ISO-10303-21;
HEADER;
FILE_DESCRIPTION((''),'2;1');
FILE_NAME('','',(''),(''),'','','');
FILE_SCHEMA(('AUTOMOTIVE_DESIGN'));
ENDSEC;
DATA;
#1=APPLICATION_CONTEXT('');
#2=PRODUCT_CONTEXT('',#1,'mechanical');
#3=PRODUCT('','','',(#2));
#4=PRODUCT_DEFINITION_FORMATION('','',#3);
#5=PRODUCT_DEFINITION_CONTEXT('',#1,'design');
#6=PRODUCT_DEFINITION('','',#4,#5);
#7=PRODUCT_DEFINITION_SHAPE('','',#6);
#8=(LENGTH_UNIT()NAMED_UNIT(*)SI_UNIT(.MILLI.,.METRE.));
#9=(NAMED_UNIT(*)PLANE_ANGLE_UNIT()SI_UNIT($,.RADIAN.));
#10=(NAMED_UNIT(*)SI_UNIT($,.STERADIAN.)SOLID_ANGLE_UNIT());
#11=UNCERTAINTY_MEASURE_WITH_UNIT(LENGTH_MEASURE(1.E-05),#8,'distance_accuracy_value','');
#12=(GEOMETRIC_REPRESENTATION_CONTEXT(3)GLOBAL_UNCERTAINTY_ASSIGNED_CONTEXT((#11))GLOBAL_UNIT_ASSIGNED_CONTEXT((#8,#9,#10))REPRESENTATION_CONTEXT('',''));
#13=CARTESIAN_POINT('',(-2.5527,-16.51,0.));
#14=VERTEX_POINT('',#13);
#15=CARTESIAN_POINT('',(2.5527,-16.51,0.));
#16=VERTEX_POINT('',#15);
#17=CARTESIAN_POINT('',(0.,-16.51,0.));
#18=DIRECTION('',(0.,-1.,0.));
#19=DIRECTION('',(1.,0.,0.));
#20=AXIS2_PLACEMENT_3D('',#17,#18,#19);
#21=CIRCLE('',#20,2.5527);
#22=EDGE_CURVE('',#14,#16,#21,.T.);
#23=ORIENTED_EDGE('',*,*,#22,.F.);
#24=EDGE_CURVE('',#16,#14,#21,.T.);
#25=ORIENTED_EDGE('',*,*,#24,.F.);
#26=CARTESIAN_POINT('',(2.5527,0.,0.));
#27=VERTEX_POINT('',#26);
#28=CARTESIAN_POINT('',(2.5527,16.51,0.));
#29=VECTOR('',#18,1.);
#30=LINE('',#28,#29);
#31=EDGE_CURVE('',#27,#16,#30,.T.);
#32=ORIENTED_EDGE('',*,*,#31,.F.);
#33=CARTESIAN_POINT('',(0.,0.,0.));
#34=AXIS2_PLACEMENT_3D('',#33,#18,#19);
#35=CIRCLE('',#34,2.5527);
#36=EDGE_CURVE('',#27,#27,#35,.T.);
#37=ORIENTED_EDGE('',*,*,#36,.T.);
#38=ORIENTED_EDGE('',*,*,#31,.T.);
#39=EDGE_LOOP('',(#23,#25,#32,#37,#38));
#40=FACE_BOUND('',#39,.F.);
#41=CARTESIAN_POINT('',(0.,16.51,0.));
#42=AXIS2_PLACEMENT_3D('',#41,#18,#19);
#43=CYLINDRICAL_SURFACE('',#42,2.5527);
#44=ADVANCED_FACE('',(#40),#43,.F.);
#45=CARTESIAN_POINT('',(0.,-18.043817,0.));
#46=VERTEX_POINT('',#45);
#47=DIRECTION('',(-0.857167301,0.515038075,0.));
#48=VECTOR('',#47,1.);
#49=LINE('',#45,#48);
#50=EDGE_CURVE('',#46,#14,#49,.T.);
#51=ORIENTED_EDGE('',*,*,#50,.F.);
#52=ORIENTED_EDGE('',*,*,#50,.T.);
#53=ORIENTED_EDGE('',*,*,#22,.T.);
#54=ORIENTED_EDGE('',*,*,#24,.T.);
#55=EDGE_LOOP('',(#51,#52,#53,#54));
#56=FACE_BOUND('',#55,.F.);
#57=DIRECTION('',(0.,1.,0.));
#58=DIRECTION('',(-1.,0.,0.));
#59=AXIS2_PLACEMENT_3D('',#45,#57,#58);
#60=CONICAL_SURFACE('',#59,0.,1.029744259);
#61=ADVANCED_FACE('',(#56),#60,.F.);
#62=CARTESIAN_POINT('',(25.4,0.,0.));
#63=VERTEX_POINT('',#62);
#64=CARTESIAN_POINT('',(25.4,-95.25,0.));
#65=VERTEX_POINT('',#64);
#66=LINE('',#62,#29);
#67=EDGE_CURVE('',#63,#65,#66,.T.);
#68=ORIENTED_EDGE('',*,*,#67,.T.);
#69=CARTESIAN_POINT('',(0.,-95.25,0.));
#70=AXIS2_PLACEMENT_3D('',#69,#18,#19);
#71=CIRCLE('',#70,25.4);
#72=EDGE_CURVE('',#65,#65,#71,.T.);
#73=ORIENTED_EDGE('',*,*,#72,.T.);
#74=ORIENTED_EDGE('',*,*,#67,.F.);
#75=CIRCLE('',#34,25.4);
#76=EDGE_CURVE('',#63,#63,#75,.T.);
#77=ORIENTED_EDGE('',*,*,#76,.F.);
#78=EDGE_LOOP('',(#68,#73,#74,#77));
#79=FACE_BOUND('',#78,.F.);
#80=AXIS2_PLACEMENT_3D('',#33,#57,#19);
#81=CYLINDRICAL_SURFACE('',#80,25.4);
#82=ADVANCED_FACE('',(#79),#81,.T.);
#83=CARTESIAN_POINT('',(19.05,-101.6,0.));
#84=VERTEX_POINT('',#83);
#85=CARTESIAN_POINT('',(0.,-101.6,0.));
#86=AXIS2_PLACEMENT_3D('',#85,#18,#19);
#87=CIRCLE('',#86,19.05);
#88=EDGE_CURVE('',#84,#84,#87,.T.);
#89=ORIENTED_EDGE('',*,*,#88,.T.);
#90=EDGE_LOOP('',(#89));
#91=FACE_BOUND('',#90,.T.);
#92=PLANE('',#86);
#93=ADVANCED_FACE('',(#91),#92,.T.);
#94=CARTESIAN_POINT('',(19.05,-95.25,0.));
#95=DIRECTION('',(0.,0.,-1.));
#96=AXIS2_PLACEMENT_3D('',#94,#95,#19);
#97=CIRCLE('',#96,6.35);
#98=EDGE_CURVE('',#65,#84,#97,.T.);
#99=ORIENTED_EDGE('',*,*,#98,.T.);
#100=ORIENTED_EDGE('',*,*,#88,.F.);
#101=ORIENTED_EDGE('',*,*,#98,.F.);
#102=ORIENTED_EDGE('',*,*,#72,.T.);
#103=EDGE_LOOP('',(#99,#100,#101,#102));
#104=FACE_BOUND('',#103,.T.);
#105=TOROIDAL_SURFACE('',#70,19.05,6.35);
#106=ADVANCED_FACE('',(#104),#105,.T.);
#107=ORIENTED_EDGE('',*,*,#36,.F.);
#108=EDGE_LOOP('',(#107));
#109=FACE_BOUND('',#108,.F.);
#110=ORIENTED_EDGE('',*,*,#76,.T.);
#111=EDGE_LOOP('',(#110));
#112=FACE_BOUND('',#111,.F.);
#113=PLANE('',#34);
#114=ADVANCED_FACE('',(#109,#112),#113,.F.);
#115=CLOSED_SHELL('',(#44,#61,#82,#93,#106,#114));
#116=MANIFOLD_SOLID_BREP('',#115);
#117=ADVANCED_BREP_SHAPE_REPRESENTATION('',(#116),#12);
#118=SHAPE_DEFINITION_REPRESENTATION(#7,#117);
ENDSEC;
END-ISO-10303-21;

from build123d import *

# Parameters (mm, degrees)
F0_R     = 25.4
F1_DEPTH = 101.6
F2_R     = 6.35
F4_D     = 5.1054
F4_DEPTH = 16.51
F4_TIP   = 1.5338169022


with BuildPart() as f1:
    # F0 (on Front) → F1 (new body)
    with BuildSketch(Plane.XZ):
        Circle(F0_R)
    extrude(amount=F1_DEPTH)

    # F2
    f2_edges = [f1.edges().sort_by_distance(p)[0] for p in [
        (-25.4, -101.6, 0),
    ]]
    fillet(f2_edges, radius=F2_R)

    # F4
    with Locations(Plane(origin=(0, 0, 0), x_dir=(-1, 0, 0), z_dir=(0, 1, 0))):
        with Locations((0, 0)):
            Hole(F4_D / 2, depth=F4_DEPTH)
            with Locations((0, 0, -(F4_DEPTH + F4_TIP / 2))):  # 118° drill point
                Cone(0, F4_D / 2, F4_TIP, mode=Mode.SUBTRACT)


solid = f1.part
